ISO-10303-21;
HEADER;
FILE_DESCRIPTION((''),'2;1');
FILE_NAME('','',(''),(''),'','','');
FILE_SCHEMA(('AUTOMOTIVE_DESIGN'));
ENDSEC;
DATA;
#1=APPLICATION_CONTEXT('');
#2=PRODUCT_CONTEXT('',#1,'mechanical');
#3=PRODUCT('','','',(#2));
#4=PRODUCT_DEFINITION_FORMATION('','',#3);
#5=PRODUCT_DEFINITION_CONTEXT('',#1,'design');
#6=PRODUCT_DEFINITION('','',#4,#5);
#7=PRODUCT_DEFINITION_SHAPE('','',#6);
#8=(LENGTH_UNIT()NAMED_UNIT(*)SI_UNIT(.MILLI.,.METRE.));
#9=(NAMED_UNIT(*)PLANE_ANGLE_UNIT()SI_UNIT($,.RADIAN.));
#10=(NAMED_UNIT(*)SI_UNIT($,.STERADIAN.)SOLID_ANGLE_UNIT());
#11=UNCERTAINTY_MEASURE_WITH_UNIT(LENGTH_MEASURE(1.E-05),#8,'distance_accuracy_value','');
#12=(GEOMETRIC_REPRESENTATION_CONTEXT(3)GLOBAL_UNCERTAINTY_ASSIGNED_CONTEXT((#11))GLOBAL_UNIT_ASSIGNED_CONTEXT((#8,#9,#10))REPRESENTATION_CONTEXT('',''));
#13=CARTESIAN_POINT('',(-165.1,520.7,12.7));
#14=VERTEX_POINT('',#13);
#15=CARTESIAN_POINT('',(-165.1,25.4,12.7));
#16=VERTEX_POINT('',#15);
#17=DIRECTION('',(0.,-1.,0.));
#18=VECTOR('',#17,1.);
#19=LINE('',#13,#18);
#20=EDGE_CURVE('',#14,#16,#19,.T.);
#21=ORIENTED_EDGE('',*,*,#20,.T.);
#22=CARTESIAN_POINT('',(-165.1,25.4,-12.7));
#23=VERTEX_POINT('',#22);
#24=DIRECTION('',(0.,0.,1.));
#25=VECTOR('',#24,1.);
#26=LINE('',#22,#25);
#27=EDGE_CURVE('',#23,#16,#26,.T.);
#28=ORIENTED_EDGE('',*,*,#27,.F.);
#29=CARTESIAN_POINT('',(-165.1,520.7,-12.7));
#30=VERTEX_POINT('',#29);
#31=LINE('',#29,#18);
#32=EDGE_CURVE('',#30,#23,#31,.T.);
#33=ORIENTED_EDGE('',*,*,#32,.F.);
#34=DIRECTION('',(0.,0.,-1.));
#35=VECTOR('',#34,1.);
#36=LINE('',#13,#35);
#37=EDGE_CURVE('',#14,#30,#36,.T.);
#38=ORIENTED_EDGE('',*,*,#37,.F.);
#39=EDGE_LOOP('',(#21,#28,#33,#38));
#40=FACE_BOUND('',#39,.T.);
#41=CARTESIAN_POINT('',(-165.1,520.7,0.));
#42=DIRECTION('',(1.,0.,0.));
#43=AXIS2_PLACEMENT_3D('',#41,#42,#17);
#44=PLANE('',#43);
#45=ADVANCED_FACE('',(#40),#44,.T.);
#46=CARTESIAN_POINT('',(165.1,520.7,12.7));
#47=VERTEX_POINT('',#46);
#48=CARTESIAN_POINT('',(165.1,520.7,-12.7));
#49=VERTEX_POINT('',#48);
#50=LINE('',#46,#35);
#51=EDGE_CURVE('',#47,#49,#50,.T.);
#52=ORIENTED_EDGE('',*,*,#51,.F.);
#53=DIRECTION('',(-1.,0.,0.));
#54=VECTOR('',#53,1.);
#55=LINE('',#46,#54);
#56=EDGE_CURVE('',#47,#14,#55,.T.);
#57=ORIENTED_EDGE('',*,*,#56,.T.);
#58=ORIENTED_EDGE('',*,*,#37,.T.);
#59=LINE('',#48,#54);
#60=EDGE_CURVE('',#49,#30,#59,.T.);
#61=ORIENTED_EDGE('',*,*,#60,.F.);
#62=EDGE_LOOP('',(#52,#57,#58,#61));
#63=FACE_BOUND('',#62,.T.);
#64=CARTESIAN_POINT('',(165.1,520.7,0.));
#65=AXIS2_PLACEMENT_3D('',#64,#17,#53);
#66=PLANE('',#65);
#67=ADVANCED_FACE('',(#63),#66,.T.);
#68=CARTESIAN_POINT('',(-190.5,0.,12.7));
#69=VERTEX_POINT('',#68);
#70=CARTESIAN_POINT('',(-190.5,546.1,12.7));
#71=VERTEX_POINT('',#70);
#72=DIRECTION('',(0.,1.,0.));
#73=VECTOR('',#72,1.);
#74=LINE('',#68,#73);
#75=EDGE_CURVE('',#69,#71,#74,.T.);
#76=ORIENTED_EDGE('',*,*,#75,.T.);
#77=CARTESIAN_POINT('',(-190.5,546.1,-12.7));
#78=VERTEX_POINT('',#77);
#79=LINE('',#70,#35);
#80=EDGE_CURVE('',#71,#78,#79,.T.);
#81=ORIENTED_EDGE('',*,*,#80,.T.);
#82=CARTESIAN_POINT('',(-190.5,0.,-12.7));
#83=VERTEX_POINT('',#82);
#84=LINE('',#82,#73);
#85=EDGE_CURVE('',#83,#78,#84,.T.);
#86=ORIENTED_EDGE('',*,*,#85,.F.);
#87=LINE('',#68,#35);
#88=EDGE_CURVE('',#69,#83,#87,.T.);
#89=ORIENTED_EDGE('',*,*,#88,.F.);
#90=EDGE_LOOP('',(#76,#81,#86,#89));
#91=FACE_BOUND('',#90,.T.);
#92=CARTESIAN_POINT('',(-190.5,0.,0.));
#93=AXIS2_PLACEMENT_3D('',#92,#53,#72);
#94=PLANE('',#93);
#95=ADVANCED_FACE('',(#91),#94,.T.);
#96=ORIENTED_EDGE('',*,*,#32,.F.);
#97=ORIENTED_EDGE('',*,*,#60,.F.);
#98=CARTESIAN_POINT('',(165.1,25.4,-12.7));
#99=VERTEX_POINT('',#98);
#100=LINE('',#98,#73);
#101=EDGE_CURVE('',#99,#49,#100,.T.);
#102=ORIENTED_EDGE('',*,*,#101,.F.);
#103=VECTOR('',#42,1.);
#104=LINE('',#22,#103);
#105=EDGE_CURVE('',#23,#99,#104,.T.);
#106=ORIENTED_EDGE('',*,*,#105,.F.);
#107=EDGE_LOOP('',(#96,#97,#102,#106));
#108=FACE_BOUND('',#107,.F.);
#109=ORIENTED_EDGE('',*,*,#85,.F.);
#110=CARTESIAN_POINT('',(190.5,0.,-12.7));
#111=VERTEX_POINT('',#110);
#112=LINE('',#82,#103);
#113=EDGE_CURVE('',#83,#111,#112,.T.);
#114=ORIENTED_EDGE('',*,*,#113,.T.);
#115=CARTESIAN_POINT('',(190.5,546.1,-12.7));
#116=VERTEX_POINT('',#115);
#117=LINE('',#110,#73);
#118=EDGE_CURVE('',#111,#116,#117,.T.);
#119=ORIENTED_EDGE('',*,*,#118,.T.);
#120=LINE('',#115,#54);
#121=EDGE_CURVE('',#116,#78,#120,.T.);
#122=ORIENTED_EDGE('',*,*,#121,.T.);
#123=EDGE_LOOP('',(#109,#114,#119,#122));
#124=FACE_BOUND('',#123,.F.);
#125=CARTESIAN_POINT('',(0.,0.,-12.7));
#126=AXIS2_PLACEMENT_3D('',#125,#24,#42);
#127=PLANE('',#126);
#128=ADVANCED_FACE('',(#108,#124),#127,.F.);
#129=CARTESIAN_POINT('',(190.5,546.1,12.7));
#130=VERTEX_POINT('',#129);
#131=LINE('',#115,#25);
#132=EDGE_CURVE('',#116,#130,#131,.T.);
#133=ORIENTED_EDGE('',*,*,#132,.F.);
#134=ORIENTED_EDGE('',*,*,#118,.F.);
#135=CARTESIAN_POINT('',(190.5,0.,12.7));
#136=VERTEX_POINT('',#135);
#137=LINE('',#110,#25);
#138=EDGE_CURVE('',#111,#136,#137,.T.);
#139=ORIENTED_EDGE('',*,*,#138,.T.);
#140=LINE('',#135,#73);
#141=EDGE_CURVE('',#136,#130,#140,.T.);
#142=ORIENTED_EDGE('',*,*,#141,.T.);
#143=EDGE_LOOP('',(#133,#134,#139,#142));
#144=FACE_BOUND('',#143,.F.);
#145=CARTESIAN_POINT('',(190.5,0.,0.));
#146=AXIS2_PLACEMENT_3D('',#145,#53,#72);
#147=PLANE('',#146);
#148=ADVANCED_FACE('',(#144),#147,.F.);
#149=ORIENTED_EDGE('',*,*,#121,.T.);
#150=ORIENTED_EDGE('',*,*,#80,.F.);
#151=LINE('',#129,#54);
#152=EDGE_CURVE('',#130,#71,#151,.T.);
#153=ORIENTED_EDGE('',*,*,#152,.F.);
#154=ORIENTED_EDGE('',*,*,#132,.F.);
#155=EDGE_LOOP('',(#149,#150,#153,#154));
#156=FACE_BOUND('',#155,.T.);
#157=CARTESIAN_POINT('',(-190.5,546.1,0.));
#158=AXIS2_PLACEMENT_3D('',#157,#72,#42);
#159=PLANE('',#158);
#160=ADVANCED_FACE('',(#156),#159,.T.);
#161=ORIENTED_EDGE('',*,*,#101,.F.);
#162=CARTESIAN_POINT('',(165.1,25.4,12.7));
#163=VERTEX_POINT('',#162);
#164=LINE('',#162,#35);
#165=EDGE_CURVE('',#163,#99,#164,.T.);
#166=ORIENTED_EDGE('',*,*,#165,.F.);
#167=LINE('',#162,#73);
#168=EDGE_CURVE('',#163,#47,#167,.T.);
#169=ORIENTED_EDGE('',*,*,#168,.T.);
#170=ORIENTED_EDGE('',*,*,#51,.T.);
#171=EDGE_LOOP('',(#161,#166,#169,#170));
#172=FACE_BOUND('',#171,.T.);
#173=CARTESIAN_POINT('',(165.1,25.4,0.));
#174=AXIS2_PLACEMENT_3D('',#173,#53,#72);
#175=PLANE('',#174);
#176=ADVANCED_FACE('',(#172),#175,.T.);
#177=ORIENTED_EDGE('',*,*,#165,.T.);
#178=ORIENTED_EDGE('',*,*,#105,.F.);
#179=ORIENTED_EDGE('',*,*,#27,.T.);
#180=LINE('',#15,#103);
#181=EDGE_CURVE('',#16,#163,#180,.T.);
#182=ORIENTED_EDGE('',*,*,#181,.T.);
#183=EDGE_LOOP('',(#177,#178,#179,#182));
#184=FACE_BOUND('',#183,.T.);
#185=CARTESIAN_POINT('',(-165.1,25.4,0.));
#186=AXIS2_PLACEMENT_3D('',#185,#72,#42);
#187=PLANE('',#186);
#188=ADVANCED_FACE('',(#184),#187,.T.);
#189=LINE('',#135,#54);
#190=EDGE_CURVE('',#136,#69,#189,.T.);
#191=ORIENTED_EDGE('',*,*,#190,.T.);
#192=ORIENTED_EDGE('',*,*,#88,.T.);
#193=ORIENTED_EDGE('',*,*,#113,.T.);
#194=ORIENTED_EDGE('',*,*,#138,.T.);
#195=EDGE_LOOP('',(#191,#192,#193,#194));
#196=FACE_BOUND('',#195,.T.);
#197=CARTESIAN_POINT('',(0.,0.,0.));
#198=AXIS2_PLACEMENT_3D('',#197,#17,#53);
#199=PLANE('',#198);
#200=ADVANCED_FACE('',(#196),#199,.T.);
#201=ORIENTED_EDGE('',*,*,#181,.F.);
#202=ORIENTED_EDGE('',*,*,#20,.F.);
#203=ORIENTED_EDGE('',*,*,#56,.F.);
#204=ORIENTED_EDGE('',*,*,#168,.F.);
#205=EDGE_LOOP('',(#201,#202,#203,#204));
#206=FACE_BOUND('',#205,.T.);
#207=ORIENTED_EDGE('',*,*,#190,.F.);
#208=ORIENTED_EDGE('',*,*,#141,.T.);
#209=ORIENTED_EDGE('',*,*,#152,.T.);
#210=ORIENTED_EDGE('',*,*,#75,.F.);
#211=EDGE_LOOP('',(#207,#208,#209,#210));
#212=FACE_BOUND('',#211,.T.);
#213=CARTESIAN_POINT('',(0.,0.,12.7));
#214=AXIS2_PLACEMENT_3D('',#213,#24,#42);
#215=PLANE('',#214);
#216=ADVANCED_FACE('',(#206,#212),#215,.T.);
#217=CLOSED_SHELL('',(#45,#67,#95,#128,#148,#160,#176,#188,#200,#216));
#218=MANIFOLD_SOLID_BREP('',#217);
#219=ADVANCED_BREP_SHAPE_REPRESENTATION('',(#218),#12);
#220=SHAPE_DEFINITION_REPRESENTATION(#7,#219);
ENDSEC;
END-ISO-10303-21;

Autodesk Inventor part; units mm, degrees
ref_plane "YZ Plane" through (0, 0, 0) normal (1, 0, 0) x (0, 1, 0)
ref_plane "XZ Plane" through (0, 0, 0) normal (0, 1, 0) x (-1, 0, 0)
ref_plane "XY Plane" through (0, 0, 0) normal (0, 0, 1) x (1, 0, 0)
sketch "Sketch1" plane through (0, 0, 0) normal (0, 0, 1) x (1, 0, 0)
  line L0 (0, 0) -> (190.5, 0)
  line L1 (190.5, 0) -> (190.5, 546.1)
  line L2 (190.5, 546.1) -> (0, 546.1)
  line L3 (0, 0) -> (0, 546.1) construction
  line L4 (0, 0) -> (-190.5, 0)
  line L5 (-190.5, 0) -> (-190.5, 546.1)
  line L6 (-190.5, 546.1) -> (0, 546.1)
  line L7 (-165.1, 25.4) -> (165.1, 25.4)
  line L8 (165.1, 25.4) -> (165.1, 520.7)
  line L9 (165.1, 520.7) -> (-165.1, 520.7)
  line L10 (-165.1, 520.7) -> (-165.1, 25.4)
  dimension "d1" = 546.1
  dimension "d2" = 381
  dimension "d3" = 25.4
  dimension "d4" = 25.4
  dimension "d5" = 25.4
  dimension "d6" = 25.4
extrude "Extrusion1" add sketch "Sketch1" along normal mid plane 25.4
properties part number "primative2ndStageForShortRobot"
